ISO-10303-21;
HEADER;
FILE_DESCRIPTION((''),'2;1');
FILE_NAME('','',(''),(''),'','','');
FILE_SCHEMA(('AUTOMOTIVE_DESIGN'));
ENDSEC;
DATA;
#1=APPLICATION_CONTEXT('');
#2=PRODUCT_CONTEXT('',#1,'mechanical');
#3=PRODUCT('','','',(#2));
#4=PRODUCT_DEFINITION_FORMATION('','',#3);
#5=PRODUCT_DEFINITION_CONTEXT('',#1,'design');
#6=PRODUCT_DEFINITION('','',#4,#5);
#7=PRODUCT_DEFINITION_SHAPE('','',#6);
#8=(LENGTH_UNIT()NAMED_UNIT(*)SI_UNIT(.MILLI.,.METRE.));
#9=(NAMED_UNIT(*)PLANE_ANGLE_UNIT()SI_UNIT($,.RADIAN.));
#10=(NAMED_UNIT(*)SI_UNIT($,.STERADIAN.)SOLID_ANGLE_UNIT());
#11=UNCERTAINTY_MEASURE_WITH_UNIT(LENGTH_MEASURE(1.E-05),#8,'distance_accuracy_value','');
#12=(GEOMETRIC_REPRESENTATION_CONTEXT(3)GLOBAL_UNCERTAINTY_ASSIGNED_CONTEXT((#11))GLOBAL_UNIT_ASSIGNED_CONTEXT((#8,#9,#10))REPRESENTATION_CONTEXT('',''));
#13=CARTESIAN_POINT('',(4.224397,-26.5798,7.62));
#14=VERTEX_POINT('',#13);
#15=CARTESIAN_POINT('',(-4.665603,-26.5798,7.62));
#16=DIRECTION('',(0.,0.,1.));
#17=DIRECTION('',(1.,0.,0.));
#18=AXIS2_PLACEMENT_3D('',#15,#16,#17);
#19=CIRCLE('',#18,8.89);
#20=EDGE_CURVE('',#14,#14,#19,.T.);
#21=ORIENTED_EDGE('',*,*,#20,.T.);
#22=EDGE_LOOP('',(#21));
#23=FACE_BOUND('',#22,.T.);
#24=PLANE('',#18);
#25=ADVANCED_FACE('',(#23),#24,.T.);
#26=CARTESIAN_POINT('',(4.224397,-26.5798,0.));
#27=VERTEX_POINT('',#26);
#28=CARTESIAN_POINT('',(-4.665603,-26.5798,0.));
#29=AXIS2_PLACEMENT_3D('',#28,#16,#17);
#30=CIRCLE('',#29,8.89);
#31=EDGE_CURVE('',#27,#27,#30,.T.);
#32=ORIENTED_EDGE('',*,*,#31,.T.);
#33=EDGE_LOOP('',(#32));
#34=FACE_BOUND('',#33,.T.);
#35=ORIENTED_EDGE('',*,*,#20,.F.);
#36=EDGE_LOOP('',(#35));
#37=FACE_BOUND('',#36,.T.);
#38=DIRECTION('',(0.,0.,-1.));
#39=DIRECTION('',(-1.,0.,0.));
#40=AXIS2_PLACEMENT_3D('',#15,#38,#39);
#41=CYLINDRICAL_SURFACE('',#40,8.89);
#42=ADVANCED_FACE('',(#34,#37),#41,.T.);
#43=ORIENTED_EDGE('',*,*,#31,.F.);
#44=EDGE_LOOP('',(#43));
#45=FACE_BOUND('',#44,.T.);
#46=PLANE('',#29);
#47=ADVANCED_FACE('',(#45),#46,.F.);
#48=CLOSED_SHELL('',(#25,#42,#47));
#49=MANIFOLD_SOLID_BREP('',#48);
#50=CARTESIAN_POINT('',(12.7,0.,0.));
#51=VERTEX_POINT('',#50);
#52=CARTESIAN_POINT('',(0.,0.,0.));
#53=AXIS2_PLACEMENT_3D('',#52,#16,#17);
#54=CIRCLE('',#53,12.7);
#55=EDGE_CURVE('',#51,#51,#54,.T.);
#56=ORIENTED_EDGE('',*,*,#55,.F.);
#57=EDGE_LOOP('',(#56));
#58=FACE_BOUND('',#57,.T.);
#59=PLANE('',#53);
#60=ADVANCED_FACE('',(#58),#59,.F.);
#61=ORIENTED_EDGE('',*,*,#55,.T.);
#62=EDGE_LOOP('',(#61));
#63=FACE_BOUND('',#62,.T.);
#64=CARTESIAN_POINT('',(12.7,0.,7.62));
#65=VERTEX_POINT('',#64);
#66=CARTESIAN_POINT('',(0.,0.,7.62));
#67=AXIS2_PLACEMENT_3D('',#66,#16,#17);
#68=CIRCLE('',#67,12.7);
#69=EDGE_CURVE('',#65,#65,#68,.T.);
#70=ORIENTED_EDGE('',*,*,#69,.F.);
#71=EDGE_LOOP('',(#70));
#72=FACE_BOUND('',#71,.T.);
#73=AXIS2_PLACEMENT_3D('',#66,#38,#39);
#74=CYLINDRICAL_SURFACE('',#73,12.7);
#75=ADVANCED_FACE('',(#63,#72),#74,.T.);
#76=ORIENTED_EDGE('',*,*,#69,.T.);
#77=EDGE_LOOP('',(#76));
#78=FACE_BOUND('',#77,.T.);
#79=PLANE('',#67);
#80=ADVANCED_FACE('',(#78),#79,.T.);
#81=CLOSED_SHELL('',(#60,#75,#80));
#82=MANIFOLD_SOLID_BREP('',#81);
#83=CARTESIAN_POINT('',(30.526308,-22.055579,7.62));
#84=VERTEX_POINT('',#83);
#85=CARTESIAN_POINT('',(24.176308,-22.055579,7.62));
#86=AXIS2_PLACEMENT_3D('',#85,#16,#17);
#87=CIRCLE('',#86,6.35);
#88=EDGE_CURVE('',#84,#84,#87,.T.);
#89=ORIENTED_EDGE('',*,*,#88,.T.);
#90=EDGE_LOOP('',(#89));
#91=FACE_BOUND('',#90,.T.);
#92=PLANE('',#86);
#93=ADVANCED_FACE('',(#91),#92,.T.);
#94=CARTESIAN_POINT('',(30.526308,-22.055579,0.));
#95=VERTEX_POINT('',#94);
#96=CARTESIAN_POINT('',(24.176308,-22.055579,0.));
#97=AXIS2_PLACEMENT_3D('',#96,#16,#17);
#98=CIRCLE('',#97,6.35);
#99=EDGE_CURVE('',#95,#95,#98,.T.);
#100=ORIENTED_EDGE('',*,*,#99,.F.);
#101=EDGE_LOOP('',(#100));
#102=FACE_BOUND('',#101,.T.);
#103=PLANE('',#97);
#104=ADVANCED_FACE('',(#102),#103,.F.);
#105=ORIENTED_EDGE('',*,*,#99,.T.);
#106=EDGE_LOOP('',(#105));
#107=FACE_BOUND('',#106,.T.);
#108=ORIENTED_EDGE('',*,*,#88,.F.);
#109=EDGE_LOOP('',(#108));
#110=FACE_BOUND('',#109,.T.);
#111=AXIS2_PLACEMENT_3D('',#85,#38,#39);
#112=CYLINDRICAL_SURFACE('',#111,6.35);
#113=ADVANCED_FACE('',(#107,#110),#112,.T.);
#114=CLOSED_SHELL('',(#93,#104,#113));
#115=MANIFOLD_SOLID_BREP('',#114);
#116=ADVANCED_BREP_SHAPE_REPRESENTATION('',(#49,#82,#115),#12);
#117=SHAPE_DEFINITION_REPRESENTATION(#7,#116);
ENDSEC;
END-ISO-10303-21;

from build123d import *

# Parameters (mm, degrees)
SKETCH1_R             = 12.7
BOSS_EXTRUDE1_DEPTH   = 7.62
SKETCH1_R_2           = 6.35
BOSS_EXTRUDE1_2_DEPTH = 7.62
SKETCH1_R_3           = 8.89
BOSS_EXTRUDE1_3_DEPTH = 7.62


with BuildPart() as part:
    # Sketch1 → Boss-Extrude1 (new body)
    with BuildSketch(Plane.XY):
        Circle(SKETCH1_R)
    extrude(amount=BOSS_EXTRUDE1_DEPTH)


with BuildPart() as body_2:
    # Sketch1 → Boss-Extrude1 2 (new body)
    with BuildSketch(Plane.XY):
        with Locations((24.176307654, -22.055578912)):
            Circle(SKETCH1_R_2)
    extrude(amount=BOSS_EXTRUDE1_2_DEPTH)


with BuildPart() as body_3:
    # Sketch1 → Boss-Extrude1 3 (new body)
    with BuildSketch(Plane.XY):
        with Locations((-4.665603231, -26.579800228)):
            Circle(SKETCH1_R_3)
    extrude(amount=BOSS_EXTRUDE1_3_DEPTH)


solid = Compound([part.part, body_2.part, body_3.part])
